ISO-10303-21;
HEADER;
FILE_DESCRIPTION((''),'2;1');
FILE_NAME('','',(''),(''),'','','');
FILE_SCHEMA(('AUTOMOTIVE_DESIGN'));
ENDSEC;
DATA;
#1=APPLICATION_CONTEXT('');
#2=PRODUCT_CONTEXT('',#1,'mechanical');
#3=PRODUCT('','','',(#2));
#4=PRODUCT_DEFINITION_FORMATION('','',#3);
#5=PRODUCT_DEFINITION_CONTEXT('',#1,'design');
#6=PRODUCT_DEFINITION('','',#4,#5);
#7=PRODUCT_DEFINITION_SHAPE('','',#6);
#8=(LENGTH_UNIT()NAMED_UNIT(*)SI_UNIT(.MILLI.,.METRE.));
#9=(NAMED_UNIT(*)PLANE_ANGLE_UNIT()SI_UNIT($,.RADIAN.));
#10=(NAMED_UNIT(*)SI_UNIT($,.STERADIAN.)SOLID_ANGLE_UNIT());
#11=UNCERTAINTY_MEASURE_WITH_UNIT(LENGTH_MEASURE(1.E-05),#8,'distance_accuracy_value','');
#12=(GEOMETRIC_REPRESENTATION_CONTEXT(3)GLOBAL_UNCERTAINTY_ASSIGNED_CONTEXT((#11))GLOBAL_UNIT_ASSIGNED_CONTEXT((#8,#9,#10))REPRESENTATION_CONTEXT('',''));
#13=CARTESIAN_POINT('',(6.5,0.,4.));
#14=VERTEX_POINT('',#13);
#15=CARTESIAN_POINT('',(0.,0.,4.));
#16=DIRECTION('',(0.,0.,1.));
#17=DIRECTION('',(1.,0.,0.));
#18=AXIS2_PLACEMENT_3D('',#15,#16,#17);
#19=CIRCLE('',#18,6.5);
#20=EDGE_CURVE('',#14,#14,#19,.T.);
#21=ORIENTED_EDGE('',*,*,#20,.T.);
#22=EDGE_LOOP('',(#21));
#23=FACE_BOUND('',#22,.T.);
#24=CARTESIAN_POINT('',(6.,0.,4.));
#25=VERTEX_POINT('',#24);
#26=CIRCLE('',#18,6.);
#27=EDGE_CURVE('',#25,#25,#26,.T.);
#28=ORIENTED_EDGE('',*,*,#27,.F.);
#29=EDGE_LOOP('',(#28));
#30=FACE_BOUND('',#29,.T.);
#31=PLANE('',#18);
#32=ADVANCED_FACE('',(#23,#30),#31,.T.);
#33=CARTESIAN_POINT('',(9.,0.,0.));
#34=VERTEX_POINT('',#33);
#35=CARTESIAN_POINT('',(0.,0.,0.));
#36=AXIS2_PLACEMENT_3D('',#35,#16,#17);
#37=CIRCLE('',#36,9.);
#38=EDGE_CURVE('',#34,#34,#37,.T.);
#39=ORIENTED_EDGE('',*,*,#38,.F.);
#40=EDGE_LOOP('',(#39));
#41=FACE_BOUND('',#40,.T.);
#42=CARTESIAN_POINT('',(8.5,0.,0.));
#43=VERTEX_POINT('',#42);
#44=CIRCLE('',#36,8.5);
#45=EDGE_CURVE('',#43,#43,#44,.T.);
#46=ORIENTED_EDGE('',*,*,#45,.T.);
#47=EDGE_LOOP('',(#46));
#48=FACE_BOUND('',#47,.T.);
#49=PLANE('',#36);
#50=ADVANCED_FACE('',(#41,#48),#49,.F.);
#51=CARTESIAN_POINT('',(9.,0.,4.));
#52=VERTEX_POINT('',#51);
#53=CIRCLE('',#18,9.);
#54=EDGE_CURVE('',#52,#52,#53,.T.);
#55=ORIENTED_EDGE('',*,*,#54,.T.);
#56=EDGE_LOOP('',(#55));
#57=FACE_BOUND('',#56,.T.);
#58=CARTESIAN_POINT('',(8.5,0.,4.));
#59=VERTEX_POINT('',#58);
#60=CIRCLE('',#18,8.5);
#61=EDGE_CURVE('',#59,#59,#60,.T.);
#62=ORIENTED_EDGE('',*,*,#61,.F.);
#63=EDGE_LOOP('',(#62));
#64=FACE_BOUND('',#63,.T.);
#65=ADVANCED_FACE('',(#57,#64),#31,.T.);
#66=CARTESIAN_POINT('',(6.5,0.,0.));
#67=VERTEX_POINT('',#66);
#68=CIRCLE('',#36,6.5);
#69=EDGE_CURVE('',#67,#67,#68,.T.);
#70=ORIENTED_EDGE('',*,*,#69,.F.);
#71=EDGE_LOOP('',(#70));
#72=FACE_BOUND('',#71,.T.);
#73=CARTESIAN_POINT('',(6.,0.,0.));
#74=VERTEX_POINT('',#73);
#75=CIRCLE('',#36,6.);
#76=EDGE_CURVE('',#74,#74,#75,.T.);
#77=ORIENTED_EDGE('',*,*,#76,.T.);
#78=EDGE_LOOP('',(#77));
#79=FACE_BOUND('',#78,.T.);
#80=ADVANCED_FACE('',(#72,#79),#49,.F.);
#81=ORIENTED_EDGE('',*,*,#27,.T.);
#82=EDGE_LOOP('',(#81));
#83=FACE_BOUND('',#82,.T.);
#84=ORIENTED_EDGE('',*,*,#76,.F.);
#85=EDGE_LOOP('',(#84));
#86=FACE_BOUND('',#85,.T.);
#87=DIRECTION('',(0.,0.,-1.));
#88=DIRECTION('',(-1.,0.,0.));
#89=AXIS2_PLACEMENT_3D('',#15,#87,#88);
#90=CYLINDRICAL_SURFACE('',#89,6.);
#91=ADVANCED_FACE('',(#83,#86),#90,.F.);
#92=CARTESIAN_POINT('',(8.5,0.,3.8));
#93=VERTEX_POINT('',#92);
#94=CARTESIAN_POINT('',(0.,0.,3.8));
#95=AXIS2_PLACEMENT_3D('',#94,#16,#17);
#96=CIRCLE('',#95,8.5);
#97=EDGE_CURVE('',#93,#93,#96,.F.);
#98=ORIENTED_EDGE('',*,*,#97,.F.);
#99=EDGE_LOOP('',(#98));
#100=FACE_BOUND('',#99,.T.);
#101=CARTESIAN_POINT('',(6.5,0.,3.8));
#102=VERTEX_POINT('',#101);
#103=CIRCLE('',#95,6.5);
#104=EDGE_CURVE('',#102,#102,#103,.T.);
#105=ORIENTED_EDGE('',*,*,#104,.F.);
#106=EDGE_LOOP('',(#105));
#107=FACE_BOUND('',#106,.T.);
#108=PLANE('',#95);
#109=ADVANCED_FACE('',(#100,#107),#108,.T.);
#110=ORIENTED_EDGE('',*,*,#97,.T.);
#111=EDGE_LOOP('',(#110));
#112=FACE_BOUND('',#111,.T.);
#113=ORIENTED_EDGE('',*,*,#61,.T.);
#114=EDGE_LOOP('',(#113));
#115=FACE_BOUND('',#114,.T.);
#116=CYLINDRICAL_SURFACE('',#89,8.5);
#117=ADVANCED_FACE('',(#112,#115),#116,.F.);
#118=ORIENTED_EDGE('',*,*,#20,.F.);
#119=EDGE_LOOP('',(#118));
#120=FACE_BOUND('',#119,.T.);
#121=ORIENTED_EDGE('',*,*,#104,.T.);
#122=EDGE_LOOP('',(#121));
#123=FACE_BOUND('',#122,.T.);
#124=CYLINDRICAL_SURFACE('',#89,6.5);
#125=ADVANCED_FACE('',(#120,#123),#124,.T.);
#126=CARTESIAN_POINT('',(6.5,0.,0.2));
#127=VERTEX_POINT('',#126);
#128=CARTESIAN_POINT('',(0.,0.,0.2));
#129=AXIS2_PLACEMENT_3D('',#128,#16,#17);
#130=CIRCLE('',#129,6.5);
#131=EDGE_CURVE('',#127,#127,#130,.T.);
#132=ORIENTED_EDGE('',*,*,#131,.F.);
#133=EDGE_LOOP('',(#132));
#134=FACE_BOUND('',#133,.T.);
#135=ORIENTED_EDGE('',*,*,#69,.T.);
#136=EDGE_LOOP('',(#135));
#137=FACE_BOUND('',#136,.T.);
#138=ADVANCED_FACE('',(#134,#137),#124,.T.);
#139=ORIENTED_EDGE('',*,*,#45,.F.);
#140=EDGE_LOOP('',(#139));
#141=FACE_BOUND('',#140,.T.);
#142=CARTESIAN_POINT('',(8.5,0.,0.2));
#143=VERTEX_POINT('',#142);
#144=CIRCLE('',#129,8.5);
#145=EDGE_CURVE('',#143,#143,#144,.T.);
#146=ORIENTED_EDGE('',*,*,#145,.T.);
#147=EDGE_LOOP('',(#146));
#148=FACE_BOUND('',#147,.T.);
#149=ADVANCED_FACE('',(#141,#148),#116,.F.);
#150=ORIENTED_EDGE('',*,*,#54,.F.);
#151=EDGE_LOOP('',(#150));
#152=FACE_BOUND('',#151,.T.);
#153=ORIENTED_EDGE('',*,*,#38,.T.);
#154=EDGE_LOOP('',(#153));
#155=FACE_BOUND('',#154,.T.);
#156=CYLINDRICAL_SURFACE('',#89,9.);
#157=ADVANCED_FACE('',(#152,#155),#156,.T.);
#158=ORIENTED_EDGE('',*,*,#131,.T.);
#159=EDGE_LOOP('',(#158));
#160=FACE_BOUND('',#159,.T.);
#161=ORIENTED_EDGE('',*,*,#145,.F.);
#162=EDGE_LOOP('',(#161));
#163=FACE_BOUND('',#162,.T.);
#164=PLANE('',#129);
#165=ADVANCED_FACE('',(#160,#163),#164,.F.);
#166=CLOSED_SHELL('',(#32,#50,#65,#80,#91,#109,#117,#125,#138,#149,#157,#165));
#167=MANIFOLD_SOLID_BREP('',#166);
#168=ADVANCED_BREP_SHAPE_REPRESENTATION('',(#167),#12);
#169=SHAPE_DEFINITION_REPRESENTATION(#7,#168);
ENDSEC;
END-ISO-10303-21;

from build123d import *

# Parameters (mm, degrees)
SKETCH1_R          = 6.5
SKETCH1_R_2        = 6
EXTRUSION1_DEPTH   = 4
SKETCH1_R_3        = 9
SKETCH1_R_4        = 8.5
EXTRUSION1_2_DEPTH = 4
SKETCH2_R          = 8.5
SKETCH2_R_2        = 6.5
EXTRUSION2_DEPTH   = 3.6


with BuildPart() as part:
    # Sketch1 → Extrusion1 (new body)
    with BuildSketch(Plane.XY):
        Circle(SKETCH1_R)
        Circle(SKETCH1_R_2, mode=Mode.SUBTRACT)
    extrude(amount=EXTRUSION1_DEPTH)



with BuildPart() as body_2:
    # Sketch1 → Extrusion1 2 (new body)
    with BuildSketch(Plane.XY):
        Circle(SKETCH1_R_3)
        Circle(SKETCH1_R_4, mode=Mode.SUBTRACT)
    extrude(amount=EXTRUSION1_2_DEPTH)


with BuildPart() as part_1:
    add(part.part)

    add(body_2.part)  # Extrusion2 merges body 2
    # Sketch2 → Extrusion2 (add)
    with BuildSketch(Plane.XY.offset(0.2)):
        Circle(SKETCH2_R)
        Circle(SKETCH2_R_2, mode=Mode.SUBTRACT)
    extrude(amount=EXTRUSION2_DEPTH)


solid = part_1.part
